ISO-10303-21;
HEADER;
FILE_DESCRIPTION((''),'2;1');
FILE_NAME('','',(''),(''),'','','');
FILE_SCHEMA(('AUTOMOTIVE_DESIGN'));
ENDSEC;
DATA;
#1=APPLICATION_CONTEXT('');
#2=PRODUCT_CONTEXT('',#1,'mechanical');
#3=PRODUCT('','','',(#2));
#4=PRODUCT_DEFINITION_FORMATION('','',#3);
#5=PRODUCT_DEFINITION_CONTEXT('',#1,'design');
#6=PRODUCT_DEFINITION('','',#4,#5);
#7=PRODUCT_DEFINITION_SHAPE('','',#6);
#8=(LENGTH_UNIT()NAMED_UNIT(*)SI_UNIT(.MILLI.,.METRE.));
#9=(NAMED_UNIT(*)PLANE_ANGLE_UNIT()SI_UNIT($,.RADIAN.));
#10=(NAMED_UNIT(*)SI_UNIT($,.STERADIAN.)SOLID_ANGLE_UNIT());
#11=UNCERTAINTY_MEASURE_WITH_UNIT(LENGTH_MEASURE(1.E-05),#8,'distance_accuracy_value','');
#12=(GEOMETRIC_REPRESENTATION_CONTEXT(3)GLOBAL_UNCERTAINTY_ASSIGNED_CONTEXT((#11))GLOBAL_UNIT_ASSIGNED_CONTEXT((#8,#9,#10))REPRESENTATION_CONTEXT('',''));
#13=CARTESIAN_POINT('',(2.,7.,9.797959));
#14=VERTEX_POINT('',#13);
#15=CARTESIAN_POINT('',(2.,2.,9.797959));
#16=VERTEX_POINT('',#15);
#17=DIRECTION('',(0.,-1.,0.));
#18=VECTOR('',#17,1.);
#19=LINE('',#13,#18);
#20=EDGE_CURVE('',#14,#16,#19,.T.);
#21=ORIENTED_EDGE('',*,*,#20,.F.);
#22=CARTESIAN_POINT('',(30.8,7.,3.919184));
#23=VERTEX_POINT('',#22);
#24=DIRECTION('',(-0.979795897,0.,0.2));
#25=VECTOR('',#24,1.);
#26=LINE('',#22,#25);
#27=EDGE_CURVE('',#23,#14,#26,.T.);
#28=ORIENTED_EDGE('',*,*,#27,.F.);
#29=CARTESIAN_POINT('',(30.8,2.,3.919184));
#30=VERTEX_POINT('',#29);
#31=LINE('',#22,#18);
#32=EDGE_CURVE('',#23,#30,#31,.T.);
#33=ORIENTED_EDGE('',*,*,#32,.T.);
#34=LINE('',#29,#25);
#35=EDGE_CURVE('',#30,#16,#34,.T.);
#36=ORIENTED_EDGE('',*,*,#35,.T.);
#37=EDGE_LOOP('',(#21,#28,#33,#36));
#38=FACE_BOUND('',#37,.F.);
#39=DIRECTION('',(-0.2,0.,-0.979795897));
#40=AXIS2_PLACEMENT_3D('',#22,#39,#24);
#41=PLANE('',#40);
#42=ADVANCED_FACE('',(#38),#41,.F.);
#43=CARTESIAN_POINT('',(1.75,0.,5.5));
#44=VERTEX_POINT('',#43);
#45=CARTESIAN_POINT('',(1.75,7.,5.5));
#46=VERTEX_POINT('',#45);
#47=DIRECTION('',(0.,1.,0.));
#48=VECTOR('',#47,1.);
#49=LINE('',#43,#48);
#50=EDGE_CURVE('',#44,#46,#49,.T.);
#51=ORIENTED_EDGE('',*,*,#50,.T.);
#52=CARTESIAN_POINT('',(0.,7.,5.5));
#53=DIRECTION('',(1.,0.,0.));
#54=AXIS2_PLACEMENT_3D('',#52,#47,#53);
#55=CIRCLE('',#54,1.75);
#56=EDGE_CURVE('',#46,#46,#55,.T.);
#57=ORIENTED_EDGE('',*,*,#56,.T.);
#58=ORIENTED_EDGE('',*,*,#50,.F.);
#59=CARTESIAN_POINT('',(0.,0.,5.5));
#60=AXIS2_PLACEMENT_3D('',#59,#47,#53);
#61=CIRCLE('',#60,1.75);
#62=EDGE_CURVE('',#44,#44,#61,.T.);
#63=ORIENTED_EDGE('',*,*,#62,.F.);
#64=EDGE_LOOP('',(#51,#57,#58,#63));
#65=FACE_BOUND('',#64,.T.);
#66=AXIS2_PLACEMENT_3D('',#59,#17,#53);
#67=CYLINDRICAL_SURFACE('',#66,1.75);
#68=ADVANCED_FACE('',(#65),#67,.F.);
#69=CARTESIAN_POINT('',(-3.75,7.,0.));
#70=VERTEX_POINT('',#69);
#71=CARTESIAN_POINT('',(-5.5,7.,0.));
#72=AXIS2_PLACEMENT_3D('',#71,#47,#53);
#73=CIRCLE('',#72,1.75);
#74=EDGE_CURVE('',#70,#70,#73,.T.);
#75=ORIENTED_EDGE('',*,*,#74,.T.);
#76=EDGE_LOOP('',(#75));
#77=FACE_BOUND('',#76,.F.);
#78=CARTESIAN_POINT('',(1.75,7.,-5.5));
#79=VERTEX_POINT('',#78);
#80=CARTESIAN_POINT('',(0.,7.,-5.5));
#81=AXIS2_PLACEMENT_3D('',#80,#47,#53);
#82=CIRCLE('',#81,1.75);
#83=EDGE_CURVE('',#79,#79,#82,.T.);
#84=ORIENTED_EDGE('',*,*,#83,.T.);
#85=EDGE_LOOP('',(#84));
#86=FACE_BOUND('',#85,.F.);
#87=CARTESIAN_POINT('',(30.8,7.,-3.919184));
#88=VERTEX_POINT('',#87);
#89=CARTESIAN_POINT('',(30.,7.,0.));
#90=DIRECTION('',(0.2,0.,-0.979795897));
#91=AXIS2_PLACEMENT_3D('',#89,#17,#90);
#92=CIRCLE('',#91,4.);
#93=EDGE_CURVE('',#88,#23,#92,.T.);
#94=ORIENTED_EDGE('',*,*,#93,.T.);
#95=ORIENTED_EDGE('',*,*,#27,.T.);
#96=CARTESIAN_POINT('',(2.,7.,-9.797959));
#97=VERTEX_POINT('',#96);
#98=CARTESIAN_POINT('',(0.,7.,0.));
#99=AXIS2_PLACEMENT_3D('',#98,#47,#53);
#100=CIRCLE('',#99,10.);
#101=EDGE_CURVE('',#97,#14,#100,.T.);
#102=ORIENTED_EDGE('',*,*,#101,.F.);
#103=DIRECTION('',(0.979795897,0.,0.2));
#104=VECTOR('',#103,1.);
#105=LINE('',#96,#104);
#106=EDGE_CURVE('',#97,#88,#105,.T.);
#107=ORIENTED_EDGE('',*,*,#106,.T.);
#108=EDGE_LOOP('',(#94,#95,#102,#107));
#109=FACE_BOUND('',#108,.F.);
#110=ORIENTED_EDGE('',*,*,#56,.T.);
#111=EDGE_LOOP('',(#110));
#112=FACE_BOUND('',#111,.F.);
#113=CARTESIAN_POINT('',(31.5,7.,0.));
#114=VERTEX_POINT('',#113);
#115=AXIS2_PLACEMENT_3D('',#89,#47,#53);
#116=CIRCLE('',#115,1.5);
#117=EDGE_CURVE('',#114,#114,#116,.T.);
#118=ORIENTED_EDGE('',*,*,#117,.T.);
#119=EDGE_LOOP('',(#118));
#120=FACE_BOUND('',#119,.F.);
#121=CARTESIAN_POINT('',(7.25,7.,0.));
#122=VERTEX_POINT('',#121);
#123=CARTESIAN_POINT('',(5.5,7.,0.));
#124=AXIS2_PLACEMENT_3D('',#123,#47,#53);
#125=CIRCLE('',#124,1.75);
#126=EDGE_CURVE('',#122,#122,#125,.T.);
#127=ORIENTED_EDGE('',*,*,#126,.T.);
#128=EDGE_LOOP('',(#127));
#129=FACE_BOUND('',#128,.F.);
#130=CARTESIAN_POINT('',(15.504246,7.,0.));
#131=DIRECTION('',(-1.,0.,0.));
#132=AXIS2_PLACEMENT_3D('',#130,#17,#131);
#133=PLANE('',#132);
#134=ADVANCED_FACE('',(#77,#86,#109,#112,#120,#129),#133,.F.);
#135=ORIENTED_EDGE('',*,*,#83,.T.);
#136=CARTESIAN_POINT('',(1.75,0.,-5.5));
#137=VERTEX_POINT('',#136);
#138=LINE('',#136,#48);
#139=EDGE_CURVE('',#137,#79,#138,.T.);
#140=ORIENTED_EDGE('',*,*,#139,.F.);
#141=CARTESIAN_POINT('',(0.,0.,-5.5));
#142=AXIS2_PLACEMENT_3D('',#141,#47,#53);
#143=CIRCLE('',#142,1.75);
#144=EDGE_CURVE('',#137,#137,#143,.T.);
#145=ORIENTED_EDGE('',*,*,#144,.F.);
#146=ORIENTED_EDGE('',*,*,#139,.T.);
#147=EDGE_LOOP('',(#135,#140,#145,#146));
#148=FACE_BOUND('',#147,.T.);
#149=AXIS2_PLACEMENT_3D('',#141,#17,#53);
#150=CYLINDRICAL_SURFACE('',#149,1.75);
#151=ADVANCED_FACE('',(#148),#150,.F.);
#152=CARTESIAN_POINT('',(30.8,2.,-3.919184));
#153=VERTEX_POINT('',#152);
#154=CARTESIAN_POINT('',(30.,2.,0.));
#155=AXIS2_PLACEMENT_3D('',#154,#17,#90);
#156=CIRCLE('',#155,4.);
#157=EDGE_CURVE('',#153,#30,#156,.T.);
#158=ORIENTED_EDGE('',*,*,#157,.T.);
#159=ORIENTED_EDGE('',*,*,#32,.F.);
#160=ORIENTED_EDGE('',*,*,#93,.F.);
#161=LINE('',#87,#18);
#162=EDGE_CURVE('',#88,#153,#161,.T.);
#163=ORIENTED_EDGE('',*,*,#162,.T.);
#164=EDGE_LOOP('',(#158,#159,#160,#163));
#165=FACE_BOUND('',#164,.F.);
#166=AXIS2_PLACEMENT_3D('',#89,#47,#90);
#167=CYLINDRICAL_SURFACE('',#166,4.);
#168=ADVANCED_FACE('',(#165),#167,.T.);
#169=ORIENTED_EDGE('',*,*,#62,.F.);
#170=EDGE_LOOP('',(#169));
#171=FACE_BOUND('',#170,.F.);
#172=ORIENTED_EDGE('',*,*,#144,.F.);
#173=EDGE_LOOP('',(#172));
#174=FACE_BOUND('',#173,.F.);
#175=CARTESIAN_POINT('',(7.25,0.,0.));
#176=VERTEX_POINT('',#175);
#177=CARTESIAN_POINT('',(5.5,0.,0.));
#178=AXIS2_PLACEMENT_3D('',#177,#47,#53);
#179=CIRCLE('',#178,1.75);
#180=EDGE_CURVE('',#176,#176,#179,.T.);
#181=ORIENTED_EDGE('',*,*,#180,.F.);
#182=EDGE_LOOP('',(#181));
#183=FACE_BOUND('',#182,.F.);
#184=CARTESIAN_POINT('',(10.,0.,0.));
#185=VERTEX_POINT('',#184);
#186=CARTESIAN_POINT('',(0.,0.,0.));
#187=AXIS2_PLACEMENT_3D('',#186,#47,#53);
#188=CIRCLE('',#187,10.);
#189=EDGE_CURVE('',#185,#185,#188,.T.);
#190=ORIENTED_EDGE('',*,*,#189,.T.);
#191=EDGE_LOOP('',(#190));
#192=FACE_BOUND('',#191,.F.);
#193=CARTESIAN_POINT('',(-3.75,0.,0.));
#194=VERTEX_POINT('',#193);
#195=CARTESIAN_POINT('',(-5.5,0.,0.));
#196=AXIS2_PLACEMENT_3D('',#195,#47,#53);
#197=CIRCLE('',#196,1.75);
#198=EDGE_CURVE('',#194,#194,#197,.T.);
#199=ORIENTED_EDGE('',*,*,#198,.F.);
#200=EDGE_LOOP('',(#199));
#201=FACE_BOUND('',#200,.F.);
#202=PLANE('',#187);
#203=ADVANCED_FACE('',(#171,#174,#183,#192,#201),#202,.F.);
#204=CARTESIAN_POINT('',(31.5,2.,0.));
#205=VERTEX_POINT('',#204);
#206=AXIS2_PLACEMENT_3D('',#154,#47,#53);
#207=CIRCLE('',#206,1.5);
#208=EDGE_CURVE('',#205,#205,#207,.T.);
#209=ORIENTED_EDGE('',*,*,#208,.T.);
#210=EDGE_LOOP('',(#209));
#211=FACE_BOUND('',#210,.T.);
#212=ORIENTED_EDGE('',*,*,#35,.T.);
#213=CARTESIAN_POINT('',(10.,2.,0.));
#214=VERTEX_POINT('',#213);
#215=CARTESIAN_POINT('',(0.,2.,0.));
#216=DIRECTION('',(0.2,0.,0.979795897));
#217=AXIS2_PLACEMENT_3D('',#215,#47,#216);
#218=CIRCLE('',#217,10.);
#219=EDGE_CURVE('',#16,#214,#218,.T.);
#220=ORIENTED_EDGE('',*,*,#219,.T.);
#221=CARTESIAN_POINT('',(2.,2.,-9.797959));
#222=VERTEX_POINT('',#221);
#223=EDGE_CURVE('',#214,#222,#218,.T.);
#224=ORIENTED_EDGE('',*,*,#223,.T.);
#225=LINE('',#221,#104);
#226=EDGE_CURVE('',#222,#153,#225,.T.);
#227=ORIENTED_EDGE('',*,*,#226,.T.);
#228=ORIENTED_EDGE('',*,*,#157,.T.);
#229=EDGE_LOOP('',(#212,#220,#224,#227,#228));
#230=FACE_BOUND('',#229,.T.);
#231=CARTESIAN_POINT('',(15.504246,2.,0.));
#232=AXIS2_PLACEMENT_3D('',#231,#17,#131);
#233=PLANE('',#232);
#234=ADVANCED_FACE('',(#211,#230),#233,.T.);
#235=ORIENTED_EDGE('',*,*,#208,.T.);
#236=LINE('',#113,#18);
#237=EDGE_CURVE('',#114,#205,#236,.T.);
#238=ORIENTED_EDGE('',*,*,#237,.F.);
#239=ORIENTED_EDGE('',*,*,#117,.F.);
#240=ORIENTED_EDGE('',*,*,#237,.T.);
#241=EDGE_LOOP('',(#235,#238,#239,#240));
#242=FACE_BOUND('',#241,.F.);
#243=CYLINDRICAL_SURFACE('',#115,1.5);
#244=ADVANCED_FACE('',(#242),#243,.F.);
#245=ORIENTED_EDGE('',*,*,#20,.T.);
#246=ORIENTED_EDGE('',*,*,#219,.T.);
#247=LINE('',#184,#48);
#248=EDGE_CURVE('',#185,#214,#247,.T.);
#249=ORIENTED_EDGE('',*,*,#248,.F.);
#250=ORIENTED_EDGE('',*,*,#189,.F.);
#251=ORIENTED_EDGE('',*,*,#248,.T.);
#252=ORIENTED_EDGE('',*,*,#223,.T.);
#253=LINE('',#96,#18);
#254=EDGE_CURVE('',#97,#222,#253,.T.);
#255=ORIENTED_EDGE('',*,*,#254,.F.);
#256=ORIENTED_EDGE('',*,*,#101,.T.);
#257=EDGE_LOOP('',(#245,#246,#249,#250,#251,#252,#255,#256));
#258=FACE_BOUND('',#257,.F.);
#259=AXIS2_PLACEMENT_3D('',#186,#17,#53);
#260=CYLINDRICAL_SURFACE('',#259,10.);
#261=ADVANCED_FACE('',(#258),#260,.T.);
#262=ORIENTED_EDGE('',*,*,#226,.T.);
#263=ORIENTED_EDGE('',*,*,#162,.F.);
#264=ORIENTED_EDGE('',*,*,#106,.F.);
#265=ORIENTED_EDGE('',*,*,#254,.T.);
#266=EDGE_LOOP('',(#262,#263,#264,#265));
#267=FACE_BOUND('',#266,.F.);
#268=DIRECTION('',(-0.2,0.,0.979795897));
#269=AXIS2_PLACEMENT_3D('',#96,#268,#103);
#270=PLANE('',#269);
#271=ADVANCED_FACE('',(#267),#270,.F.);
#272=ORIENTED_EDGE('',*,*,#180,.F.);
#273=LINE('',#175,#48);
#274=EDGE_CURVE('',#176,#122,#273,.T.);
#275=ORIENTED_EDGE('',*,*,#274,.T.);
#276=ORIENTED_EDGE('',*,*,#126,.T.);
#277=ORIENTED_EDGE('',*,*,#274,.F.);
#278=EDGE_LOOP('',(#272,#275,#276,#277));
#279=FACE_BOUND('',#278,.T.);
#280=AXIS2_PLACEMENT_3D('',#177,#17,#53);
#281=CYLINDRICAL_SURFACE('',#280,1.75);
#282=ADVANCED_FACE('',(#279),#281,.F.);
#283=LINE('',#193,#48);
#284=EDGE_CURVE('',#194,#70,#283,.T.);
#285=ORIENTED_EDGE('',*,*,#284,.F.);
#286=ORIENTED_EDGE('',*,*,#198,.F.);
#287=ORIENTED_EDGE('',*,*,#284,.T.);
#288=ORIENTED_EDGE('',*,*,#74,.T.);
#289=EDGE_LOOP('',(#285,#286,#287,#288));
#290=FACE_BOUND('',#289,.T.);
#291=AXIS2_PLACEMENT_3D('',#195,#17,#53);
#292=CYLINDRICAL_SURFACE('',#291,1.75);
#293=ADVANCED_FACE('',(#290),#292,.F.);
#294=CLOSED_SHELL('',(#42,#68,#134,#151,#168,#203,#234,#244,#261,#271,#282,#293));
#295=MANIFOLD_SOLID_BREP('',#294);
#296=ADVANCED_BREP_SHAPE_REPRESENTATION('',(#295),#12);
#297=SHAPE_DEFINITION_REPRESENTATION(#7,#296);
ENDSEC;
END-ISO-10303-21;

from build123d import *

# Parameters (mm, degrees)
SKETCH1_R           = 10
SKETCH1_R_2         = 1.75
BOSS_EXTRUDE1_DEPTH = 7
SKETCH2_R           = 1.5
BOSS_EXTRUDE2_DEPTH = 5


with BuildPart() as part:
    # Sketch1 → Boss-Extrude1 (new body)
    with BuildSketch(Plane(origin=(0, 0, 0), x_dir=(1, 0, 0), z_dir=(0, 1, 0))):
        Circle(SKETCH1_R)
        with Locations((0, 5.5)):
            Circle(SKETCH1_R_2, mode=Mode.SUBTRACT)
        with Locations((5.5, 0)):
            Circle(SKETCH1_R_2, mode=Mode.SUBTRACT)
        with Locations((0, -5.5)):
            Circle(SKETCH1_R_2, mode=Mode.SUBTRACT)
        with Locations((-5.5, 0)):
            Circle(SKETCH1_R_2, mode=Mode.SUBTRACT)
    extrude(amount=BOSS_EXTRUDE1_DEPTH)

    # Sketch2 → Boss-Extrude2 (add)
    with BuildSketch(Plane(origin=(0, 7, 0), x_dir=(1, 0, 0), z_dir=(0, 1, 0))):
        with BuildLine():
            Line((2, 9.797958971), (30.8, 3.919183588))
            ThreePointArc((30.8, 3.919183588), (34, 0), (30.8, -3.919183588))
            Line((30.8, -3.919183588), (2, -9.797958971))
            ThreePointArc((2, -9.797958971), (10, 0), (2, 9.797958971))
        make_face()
        with Locations((30, 0)):
            Circle(SKETCH2_R, mode=Mode.SUBTRACT)
    extrude(amount=-BOSS_EXTRUDE2_DEPTH)


solid = part.part
